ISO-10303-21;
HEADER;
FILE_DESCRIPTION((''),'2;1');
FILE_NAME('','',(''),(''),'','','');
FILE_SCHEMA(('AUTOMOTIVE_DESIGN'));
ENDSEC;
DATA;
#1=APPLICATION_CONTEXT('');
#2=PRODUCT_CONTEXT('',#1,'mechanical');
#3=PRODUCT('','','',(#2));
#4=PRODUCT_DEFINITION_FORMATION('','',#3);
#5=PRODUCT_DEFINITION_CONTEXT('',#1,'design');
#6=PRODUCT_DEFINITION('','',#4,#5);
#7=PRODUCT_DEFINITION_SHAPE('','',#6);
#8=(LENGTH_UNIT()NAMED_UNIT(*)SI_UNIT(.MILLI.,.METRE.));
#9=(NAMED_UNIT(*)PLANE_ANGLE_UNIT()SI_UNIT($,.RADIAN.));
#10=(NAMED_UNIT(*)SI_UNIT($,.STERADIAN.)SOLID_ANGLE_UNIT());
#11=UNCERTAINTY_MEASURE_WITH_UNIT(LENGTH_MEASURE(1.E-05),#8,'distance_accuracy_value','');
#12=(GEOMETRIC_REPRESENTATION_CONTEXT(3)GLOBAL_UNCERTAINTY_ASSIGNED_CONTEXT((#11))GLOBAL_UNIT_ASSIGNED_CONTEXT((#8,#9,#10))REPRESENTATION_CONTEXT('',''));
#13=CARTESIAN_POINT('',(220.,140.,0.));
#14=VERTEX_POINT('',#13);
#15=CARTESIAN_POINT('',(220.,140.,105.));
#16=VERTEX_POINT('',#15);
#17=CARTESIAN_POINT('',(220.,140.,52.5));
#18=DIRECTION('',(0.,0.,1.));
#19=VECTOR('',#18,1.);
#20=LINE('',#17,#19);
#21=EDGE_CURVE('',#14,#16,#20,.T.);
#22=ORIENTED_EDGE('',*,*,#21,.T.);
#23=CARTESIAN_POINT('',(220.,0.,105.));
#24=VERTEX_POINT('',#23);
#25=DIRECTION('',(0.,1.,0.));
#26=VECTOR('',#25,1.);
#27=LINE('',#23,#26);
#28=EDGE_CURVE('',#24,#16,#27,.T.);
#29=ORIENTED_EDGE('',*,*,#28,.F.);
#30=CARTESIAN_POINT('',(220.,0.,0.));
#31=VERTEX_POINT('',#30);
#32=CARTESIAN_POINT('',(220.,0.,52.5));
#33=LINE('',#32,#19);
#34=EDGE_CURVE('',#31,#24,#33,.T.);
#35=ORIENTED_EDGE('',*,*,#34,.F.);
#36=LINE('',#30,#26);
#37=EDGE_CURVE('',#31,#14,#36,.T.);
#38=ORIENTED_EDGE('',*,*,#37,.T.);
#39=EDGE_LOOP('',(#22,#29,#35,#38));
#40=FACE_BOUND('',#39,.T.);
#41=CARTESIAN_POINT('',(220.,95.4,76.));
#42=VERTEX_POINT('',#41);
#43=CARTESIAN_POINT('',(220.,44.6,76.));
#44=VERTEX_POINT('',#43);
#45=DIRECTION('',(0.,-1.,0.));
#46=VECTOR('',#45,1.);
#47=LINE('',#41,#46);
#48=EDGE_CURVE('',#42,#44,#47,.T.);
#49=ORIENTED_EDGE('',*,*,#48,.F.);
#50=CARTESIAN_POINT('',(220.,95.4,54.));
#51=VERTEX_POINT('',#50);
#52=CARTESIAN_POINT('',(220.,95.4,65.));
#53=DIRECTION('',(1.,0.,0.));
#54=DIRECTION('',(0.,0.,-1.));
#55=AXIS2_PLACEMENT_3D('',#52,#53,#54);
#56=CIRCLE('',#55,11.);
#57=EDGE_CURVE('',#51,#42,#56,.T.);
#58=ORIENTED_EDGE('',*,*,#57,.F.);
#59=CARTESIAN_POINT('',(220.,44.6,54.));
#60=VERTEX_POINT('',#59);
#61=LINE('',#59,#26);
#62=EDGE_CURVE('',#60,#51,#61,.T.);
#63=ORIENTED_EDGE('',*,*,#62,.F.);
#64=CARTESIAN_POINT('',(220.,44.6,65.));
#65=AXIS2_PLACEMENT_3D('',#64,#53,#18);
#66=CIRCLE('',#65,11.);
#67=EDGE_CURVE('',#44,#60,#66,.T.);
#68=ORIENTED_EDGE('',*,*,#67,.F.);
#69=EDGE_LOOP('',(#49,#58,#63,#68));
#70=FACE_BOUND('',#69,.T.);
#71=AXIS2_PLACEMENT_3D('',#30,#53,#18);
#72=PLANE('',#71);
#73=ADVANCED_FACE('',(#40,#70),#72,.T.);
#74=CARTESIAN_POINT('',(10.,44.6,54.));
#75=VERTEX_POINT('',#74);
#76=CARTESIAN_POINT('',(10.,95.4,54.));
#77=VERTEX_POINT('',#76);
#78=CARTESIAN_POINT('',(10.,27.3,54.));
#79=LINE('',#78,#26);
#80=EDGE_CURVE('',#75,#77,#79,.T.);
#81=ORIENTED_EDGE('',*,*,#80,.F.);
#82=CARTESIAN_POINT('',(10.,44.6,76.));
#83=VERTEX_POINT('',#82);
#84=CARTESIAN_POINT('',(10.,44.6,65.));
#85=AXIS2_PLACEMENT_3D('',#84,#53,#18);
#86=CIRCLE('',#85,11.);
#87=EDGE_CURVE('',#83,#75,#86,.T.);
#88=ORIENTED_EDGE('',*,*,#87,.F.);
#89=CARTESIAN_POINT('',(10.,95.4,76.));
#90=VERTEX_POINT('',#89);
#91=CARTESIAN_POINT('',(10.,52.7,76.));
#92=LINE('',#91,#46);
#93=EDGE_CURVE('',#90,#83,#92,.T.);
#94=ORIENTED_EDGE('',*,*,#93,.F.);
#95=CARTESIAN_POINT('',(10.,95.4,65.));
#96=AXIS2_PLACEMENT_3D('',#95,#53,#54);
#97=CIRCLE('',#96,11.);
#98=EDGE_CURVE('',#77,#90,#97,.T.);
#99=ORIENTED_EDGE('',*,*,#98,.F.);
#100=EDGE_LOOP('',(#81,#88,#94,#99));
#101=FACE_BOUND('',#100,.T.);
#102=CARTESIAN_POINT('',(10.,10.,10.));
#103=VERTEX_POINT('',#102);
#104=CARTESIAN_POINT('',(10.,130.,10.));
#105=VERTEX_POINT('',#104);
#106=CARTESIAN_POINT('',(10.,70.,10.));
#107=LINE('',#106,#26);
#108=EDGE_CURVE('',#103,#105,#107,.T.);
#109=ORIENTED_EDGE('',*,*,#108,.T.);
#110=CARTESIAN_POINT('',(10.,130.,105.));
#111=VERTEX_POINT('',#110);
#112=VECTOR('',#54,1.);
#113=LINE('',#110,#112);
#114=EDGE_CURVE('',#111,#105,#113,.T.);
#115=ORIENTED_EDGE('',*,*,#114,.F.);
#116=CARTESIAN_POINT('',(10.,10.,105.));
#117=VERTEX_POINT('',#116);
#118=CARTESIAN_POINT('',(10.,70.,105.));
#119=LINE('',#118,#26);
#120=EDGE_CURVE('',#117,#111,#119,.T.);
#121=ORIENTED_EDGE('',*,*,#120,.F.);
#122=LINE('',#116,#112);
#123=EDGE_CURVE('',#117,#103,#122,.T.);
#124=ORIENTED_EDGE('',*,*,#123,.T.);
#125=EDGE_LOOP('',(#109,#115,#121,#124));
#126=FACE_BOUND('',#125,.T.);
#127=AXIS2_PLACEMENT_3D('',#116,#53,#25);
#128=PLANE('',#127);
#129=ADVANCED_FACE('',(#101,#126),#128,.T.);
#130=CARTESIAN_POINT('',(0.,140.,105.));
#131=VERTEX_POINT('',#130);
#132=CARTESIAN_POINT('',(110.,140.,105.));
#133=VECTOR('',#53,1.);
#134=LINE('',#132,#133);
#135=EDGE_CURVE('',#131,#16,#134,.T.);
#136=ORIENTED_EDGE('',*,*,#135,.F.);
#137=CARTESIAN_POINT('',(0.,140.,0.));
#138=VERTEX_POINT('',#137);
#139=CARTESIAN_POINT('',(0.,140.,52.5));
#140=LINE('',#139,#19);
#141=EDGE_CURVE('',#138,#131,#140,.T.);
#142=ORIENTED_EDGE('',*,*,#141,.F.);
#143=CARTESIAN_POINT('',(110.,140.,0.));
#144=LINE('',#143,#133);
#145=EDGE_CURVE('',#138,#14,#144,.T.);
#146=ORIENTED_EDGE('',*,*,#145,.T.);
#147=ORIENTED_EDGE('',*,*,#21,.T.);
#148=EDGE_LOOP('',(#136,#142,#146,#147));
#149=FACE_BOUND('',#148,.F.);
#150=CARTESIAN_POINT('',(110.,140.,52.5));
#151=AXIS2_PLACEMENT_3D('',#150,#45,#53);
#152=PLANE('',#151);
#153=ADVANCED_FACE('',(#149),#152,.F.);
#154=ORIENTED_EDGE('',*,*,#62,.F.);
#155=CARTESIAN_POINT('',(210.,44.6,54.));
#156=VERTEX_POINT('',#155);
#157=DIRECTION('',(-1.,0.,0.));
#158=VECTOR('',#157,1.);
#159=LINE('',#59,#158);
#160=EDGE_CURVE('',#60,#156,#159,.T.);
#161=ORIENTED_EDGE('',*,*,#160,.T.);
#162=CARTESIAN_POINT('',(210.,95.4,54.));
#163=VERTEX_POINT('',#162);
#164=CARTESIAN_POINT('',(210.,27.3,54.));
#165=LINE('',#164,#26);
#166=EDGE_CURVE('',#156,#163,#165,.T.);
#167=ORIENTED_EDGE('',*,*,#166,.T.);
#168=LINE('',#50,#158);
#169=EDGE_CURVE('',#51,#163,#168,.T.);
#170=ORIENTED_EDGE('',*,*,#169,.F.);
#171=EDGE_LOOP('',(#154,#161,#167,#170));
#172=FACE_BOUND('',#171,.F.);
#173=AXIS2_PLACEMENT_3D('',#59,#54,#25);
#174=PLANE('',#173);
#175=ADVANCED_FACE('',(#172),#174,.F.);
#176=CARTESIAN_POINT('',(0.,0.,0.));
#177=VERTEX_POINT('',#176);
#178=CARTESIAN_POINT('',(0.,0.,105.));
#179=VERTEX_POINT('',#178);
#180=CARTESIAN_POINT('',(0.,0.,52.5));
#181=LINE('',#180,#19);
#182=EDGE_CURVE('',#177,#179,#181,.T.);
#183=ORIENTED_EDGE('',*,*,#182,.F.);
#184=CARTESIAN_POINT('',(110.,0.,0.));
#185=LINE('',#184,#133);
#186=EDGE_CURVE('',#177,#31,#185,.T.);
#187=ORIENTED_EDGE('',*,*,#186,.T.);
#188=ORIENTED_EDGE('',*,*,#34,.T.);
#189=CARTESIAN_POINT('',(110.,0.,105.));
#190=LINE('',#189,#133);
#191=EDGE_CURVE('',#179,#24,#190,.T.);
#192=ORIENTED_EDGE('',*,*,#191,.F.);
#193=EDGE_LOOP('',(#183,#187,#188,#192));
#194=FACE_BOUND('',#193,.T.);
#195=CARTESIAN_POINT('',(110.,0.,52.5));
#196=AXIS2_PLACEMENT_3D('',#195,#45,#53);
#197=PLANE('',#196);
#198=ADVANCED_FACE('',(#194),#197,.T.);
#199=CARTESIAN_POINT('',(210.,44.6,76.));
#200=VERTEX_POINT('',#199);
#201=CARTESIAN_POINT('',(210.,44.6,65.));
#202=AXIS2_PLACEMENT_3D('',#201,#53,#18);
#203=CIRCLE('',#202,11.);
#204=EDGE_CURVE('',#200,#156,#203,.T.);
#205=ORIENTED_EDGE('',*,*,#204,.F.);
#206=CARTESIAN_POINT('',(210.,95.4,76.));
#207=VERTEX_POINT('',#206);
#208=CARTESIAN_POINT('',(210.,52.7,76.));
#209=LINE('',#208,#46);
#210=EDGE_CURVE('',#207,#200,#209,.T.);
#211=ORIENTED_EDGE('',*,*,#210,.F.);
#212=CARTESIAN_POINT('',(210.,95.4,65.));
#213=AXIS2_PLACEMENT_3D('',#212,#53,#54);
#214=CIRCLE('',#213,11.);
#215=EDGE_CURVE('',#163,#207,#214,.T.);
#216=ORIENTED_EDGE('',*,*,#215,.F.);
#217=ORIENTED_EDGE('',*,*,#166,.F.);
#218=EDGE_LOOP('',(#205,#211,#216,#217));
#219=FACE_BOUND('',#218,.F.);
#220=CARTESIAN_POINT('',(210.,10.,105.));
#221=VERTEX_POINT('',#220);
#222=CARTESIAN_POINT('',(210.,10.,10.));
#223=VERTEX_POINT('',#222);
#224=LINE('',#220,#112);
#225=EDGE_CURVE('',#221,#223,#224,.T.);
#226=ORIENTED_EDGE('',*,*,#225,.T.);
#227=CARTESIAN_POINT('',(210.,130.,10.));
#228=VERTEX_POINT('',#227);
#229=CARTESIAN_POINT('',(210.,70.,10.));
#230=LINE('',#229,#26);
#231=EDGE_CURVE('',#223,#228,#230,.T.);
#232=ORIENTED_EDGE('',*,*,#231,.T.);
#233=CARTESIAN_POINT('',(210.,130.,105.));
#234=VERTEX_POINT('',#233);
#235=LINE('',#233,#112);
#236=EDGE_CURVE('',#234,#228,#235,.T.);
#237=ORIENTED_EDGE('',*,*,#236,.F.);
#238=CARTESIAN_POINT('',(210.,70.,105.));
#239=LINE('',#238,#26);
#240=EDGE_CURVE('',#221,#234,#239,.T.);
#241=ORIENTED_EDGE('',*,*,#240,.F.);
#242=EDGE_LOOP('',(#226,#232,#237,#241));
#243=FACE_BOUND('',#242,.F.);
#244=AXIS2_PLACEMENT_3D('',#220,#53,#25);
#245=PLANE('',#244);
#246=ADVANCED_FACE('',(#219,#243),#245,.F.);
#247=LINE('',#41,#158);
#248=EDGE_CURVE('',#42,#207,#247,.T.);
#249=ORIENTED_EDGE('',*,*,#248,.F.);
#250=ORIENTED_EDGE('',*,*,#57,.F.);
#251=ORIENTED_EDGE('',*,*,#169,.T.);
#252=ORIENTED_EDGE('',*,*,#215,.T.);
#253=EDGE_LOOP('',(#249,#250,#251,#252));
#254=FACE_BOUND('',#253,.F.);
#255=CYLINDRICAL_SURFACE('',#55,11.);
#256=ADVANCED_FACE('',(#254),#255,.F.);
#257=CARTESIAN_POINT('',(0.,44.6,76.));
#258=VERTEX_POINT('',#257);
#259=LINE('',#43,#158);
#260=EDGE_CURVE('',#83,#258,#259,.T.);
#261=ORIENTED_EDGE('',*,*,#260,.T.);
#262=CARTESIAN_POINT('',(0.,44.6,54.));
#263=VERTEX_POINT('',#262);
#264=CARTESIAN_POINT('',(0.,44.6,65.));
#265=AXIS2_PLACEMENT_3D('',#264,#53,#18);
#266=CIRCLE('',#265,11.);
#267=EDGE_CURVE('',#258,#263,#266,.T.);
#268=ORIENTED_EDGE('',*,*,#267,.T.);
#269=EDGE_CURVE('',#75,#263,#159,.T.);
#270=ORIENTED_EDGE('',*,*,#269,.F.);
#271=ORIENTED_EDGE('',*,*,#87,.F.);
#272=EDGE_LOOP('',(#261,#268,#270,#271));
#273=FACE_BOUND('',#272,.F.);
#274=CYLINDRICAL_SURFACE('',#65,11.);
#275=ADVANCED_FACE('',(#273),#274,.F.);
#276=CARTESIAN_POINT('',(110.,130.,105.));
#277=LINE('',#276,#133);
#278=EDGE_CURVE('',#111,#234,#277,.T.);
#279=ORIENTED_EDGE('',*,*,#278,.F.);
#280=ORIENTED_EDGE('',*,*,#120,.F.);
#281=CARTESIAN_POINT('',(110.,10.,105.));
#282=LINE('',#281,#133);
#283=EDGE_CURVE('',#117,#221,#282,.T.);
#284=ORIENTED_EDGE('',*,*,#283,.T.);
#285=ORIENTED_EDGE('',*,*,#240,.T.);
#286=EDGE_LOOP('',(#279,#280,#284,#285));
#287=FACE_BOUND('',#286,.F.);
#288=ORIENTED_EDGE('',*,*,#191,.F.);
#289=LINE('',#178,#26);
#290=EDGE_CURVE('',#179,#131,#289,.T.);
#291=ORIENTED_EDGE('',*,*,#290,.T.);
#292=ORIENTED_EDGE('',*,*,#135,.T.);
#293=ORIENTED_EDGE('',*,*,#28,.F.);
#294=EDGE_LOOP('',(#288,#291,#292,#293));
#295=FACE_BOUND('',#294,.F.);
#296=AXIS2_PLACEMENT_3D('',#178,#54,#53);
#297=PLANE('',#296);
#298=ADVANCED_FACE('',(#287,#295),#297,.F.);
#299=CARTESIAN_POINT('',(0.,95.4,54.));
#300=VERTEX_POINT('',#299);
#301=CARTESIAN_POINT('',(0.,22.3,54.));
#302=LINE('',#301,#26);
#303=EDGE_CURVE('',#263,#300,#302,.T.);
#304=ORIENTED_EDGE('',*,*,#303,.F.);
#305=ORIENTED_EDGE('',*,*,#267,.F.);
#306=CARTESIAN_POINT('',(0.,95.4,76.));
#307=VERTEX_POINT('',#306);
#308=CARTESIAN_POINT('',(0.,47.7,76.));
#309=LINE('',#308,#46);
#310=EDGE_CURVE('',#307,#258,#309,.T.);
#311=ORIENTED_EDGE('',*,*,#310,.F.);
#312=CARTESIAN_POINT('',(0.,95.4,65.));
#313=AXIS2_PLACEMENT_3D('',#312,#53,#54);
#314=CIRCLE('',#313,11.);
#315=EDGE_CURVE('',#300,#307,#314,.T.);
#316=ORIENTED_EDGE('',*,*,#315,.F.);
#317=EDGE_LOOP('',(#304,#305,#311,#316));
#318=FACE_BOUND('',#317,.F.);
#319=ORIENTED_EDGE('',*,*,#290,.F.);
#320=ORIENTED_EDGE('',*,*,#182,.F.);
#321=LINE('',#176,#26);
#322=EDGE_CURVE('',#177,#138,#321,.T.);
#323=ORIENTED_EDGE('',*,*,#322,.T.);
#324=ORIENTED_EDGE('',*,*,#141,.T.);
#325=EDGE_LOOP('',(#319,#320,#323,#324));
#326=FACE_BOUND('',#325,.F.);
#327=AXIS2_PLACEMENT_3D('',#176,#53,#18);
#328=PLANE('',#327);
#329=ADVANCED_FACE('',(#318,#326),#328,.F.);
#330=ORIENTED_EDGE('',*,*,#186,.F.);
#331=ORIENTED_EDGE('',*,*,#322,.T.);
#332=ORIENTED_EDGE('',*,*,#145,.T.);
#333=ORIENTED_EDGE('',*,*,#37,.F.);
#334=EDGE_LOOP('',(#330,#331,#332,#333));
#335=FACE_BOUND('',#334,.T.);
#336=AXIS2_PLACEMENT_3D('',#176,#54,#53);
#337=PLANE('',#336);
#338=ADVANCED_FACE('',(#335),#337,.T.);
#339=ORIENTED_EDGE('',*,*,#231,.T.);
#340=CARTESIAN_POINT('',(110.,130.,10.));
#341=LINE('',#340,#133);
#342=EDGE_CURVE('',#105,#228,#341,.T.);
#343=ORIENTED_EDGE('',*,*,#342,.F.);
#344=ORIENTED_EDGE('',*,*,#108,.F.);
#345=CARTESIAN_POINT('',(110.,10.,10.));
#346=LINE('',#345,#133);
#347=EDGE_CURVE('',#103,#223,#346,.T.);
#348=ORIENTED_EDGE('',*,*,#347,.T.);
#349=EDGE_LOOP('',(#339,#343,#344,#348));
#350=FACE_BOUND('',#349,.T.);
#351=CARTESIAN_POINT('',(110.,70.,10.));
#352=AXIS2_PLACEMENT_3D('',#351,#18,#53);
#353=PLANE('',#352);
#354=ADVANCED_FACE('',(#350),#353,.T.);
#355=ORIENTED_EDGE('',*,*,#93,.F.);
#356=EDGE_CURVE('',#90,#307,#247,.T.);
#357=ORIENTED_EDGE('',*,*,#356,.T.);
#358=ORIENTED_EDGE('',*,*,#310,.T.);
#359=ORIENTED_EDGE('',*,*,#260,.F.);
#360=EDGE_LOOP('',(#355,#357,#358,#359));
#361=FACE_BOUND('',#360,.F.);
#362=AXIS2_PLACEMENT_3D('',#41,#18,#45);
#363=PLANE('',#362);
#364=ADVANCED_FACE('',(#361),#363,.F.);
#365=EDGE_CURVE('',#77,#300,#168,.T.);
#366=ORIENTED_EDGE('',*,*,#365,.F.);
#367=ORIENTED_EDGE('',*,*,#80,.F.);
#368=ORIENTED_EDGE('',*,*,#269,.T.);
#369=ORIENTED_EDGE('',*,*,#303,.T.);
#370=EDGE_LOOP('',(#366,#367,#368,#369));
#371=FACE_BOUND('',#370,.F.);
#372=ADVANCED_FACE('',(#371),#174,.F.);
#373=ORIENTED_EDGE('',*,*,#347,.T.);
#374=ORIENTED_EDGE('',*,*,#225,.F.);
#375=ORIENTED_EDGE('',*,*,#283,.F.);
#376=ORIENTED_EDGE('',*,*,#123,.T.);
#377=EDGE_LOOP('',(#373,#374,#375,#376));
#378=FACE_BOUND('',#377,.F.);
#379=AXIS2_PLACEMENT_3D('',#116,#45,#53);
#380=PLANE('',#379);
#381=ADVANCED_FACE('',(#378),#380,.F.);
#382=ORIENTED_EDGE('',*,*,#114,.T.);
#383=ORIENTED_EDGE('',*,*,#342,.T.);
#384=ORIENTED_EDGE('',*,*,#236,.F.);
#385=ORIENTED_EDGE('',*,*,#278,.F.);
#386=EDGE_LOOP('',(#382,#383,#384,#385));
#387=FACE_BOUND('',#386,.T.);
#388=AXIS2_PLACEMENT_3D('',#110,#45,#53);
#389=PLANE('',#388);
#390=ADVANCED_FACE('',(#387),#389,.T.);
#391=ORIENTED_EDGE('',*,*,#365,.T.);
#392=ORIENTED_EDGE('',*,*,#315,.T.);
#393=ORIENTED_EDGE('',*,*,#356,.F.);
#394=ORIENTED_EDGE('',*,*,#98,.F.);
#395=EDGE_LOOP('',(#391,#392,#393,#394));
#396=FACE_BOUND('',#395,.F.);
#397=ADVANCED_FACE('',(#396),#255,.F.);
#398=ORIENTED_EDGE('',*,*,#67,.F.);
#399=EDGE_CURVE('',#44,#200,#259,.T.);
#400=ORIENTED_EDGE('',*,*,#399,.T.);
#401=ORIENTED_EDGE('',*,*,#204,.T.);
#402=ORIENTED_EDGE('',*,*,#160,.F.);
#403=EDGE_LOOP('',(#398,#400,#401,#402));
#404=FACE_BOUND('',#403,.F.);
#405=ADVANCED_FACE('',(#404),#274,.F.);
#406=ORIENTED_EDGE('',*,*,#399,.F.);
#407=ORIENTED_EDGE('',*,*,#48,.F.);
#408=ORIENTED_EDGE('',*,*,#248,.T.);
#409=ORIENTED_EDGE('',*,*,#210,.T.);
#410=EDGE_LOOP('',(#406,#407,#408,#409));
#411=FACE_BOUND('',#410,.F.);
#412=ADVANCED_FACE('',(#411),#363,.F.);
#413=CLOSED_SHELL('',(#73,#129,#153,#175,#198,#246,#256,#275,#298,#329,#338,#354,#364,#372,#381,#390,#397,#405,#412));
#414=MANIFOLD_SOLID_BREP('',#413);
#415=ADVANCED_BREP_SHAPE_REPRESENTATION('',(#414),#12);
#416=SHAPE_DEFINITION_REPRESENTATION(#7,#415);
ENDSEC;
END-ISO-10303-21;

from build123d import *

# Parameters (mm, degrees)
F0_W     = 220
F0_H     = 105
F1_DEPTH = 140
F2_W     = 200
F2_H     = 120
F3_DEPTH = 95
F5_DEPTH = 220.001


with BuildPart() as f1:
    # F0 (on Front) → F1 (new body)
    with BuildSketch(Plane.XZ):
        with Locations((110, 52.5)):
            Rectangle(F0_W, F0_H)
    extrude(amount=-F1_DEPTH)

    # F2 (on face) → F3 (cut)
    with BuildSketch(Plane.XY.offset(105)):
        with Locations((110, 70)):
            Rectangle(F2_W, F2_H)
    extrude(amount=-F3_DEPTH, mode=Mode.SUBTRACT)

    # F4 (on face) → F5 (cut, through all)
    with BuildSketch(Plane.YZ.offset(220)):
        with BuildLine():
            Line((95.4, 76), (44.6, 76))
            ThreePointArc((44.6, 76), (33.6, 65), (44.6, 54))
            Line((44.6, 54), (95.4, 54))
            ThreePointArc((95.4, 54), (106.4, 65), (95.4, 76))
        make_face()
    extrude(amount=-F5_DEPTH, mode=Mode.SUBTRACT)


solid = f1.part
